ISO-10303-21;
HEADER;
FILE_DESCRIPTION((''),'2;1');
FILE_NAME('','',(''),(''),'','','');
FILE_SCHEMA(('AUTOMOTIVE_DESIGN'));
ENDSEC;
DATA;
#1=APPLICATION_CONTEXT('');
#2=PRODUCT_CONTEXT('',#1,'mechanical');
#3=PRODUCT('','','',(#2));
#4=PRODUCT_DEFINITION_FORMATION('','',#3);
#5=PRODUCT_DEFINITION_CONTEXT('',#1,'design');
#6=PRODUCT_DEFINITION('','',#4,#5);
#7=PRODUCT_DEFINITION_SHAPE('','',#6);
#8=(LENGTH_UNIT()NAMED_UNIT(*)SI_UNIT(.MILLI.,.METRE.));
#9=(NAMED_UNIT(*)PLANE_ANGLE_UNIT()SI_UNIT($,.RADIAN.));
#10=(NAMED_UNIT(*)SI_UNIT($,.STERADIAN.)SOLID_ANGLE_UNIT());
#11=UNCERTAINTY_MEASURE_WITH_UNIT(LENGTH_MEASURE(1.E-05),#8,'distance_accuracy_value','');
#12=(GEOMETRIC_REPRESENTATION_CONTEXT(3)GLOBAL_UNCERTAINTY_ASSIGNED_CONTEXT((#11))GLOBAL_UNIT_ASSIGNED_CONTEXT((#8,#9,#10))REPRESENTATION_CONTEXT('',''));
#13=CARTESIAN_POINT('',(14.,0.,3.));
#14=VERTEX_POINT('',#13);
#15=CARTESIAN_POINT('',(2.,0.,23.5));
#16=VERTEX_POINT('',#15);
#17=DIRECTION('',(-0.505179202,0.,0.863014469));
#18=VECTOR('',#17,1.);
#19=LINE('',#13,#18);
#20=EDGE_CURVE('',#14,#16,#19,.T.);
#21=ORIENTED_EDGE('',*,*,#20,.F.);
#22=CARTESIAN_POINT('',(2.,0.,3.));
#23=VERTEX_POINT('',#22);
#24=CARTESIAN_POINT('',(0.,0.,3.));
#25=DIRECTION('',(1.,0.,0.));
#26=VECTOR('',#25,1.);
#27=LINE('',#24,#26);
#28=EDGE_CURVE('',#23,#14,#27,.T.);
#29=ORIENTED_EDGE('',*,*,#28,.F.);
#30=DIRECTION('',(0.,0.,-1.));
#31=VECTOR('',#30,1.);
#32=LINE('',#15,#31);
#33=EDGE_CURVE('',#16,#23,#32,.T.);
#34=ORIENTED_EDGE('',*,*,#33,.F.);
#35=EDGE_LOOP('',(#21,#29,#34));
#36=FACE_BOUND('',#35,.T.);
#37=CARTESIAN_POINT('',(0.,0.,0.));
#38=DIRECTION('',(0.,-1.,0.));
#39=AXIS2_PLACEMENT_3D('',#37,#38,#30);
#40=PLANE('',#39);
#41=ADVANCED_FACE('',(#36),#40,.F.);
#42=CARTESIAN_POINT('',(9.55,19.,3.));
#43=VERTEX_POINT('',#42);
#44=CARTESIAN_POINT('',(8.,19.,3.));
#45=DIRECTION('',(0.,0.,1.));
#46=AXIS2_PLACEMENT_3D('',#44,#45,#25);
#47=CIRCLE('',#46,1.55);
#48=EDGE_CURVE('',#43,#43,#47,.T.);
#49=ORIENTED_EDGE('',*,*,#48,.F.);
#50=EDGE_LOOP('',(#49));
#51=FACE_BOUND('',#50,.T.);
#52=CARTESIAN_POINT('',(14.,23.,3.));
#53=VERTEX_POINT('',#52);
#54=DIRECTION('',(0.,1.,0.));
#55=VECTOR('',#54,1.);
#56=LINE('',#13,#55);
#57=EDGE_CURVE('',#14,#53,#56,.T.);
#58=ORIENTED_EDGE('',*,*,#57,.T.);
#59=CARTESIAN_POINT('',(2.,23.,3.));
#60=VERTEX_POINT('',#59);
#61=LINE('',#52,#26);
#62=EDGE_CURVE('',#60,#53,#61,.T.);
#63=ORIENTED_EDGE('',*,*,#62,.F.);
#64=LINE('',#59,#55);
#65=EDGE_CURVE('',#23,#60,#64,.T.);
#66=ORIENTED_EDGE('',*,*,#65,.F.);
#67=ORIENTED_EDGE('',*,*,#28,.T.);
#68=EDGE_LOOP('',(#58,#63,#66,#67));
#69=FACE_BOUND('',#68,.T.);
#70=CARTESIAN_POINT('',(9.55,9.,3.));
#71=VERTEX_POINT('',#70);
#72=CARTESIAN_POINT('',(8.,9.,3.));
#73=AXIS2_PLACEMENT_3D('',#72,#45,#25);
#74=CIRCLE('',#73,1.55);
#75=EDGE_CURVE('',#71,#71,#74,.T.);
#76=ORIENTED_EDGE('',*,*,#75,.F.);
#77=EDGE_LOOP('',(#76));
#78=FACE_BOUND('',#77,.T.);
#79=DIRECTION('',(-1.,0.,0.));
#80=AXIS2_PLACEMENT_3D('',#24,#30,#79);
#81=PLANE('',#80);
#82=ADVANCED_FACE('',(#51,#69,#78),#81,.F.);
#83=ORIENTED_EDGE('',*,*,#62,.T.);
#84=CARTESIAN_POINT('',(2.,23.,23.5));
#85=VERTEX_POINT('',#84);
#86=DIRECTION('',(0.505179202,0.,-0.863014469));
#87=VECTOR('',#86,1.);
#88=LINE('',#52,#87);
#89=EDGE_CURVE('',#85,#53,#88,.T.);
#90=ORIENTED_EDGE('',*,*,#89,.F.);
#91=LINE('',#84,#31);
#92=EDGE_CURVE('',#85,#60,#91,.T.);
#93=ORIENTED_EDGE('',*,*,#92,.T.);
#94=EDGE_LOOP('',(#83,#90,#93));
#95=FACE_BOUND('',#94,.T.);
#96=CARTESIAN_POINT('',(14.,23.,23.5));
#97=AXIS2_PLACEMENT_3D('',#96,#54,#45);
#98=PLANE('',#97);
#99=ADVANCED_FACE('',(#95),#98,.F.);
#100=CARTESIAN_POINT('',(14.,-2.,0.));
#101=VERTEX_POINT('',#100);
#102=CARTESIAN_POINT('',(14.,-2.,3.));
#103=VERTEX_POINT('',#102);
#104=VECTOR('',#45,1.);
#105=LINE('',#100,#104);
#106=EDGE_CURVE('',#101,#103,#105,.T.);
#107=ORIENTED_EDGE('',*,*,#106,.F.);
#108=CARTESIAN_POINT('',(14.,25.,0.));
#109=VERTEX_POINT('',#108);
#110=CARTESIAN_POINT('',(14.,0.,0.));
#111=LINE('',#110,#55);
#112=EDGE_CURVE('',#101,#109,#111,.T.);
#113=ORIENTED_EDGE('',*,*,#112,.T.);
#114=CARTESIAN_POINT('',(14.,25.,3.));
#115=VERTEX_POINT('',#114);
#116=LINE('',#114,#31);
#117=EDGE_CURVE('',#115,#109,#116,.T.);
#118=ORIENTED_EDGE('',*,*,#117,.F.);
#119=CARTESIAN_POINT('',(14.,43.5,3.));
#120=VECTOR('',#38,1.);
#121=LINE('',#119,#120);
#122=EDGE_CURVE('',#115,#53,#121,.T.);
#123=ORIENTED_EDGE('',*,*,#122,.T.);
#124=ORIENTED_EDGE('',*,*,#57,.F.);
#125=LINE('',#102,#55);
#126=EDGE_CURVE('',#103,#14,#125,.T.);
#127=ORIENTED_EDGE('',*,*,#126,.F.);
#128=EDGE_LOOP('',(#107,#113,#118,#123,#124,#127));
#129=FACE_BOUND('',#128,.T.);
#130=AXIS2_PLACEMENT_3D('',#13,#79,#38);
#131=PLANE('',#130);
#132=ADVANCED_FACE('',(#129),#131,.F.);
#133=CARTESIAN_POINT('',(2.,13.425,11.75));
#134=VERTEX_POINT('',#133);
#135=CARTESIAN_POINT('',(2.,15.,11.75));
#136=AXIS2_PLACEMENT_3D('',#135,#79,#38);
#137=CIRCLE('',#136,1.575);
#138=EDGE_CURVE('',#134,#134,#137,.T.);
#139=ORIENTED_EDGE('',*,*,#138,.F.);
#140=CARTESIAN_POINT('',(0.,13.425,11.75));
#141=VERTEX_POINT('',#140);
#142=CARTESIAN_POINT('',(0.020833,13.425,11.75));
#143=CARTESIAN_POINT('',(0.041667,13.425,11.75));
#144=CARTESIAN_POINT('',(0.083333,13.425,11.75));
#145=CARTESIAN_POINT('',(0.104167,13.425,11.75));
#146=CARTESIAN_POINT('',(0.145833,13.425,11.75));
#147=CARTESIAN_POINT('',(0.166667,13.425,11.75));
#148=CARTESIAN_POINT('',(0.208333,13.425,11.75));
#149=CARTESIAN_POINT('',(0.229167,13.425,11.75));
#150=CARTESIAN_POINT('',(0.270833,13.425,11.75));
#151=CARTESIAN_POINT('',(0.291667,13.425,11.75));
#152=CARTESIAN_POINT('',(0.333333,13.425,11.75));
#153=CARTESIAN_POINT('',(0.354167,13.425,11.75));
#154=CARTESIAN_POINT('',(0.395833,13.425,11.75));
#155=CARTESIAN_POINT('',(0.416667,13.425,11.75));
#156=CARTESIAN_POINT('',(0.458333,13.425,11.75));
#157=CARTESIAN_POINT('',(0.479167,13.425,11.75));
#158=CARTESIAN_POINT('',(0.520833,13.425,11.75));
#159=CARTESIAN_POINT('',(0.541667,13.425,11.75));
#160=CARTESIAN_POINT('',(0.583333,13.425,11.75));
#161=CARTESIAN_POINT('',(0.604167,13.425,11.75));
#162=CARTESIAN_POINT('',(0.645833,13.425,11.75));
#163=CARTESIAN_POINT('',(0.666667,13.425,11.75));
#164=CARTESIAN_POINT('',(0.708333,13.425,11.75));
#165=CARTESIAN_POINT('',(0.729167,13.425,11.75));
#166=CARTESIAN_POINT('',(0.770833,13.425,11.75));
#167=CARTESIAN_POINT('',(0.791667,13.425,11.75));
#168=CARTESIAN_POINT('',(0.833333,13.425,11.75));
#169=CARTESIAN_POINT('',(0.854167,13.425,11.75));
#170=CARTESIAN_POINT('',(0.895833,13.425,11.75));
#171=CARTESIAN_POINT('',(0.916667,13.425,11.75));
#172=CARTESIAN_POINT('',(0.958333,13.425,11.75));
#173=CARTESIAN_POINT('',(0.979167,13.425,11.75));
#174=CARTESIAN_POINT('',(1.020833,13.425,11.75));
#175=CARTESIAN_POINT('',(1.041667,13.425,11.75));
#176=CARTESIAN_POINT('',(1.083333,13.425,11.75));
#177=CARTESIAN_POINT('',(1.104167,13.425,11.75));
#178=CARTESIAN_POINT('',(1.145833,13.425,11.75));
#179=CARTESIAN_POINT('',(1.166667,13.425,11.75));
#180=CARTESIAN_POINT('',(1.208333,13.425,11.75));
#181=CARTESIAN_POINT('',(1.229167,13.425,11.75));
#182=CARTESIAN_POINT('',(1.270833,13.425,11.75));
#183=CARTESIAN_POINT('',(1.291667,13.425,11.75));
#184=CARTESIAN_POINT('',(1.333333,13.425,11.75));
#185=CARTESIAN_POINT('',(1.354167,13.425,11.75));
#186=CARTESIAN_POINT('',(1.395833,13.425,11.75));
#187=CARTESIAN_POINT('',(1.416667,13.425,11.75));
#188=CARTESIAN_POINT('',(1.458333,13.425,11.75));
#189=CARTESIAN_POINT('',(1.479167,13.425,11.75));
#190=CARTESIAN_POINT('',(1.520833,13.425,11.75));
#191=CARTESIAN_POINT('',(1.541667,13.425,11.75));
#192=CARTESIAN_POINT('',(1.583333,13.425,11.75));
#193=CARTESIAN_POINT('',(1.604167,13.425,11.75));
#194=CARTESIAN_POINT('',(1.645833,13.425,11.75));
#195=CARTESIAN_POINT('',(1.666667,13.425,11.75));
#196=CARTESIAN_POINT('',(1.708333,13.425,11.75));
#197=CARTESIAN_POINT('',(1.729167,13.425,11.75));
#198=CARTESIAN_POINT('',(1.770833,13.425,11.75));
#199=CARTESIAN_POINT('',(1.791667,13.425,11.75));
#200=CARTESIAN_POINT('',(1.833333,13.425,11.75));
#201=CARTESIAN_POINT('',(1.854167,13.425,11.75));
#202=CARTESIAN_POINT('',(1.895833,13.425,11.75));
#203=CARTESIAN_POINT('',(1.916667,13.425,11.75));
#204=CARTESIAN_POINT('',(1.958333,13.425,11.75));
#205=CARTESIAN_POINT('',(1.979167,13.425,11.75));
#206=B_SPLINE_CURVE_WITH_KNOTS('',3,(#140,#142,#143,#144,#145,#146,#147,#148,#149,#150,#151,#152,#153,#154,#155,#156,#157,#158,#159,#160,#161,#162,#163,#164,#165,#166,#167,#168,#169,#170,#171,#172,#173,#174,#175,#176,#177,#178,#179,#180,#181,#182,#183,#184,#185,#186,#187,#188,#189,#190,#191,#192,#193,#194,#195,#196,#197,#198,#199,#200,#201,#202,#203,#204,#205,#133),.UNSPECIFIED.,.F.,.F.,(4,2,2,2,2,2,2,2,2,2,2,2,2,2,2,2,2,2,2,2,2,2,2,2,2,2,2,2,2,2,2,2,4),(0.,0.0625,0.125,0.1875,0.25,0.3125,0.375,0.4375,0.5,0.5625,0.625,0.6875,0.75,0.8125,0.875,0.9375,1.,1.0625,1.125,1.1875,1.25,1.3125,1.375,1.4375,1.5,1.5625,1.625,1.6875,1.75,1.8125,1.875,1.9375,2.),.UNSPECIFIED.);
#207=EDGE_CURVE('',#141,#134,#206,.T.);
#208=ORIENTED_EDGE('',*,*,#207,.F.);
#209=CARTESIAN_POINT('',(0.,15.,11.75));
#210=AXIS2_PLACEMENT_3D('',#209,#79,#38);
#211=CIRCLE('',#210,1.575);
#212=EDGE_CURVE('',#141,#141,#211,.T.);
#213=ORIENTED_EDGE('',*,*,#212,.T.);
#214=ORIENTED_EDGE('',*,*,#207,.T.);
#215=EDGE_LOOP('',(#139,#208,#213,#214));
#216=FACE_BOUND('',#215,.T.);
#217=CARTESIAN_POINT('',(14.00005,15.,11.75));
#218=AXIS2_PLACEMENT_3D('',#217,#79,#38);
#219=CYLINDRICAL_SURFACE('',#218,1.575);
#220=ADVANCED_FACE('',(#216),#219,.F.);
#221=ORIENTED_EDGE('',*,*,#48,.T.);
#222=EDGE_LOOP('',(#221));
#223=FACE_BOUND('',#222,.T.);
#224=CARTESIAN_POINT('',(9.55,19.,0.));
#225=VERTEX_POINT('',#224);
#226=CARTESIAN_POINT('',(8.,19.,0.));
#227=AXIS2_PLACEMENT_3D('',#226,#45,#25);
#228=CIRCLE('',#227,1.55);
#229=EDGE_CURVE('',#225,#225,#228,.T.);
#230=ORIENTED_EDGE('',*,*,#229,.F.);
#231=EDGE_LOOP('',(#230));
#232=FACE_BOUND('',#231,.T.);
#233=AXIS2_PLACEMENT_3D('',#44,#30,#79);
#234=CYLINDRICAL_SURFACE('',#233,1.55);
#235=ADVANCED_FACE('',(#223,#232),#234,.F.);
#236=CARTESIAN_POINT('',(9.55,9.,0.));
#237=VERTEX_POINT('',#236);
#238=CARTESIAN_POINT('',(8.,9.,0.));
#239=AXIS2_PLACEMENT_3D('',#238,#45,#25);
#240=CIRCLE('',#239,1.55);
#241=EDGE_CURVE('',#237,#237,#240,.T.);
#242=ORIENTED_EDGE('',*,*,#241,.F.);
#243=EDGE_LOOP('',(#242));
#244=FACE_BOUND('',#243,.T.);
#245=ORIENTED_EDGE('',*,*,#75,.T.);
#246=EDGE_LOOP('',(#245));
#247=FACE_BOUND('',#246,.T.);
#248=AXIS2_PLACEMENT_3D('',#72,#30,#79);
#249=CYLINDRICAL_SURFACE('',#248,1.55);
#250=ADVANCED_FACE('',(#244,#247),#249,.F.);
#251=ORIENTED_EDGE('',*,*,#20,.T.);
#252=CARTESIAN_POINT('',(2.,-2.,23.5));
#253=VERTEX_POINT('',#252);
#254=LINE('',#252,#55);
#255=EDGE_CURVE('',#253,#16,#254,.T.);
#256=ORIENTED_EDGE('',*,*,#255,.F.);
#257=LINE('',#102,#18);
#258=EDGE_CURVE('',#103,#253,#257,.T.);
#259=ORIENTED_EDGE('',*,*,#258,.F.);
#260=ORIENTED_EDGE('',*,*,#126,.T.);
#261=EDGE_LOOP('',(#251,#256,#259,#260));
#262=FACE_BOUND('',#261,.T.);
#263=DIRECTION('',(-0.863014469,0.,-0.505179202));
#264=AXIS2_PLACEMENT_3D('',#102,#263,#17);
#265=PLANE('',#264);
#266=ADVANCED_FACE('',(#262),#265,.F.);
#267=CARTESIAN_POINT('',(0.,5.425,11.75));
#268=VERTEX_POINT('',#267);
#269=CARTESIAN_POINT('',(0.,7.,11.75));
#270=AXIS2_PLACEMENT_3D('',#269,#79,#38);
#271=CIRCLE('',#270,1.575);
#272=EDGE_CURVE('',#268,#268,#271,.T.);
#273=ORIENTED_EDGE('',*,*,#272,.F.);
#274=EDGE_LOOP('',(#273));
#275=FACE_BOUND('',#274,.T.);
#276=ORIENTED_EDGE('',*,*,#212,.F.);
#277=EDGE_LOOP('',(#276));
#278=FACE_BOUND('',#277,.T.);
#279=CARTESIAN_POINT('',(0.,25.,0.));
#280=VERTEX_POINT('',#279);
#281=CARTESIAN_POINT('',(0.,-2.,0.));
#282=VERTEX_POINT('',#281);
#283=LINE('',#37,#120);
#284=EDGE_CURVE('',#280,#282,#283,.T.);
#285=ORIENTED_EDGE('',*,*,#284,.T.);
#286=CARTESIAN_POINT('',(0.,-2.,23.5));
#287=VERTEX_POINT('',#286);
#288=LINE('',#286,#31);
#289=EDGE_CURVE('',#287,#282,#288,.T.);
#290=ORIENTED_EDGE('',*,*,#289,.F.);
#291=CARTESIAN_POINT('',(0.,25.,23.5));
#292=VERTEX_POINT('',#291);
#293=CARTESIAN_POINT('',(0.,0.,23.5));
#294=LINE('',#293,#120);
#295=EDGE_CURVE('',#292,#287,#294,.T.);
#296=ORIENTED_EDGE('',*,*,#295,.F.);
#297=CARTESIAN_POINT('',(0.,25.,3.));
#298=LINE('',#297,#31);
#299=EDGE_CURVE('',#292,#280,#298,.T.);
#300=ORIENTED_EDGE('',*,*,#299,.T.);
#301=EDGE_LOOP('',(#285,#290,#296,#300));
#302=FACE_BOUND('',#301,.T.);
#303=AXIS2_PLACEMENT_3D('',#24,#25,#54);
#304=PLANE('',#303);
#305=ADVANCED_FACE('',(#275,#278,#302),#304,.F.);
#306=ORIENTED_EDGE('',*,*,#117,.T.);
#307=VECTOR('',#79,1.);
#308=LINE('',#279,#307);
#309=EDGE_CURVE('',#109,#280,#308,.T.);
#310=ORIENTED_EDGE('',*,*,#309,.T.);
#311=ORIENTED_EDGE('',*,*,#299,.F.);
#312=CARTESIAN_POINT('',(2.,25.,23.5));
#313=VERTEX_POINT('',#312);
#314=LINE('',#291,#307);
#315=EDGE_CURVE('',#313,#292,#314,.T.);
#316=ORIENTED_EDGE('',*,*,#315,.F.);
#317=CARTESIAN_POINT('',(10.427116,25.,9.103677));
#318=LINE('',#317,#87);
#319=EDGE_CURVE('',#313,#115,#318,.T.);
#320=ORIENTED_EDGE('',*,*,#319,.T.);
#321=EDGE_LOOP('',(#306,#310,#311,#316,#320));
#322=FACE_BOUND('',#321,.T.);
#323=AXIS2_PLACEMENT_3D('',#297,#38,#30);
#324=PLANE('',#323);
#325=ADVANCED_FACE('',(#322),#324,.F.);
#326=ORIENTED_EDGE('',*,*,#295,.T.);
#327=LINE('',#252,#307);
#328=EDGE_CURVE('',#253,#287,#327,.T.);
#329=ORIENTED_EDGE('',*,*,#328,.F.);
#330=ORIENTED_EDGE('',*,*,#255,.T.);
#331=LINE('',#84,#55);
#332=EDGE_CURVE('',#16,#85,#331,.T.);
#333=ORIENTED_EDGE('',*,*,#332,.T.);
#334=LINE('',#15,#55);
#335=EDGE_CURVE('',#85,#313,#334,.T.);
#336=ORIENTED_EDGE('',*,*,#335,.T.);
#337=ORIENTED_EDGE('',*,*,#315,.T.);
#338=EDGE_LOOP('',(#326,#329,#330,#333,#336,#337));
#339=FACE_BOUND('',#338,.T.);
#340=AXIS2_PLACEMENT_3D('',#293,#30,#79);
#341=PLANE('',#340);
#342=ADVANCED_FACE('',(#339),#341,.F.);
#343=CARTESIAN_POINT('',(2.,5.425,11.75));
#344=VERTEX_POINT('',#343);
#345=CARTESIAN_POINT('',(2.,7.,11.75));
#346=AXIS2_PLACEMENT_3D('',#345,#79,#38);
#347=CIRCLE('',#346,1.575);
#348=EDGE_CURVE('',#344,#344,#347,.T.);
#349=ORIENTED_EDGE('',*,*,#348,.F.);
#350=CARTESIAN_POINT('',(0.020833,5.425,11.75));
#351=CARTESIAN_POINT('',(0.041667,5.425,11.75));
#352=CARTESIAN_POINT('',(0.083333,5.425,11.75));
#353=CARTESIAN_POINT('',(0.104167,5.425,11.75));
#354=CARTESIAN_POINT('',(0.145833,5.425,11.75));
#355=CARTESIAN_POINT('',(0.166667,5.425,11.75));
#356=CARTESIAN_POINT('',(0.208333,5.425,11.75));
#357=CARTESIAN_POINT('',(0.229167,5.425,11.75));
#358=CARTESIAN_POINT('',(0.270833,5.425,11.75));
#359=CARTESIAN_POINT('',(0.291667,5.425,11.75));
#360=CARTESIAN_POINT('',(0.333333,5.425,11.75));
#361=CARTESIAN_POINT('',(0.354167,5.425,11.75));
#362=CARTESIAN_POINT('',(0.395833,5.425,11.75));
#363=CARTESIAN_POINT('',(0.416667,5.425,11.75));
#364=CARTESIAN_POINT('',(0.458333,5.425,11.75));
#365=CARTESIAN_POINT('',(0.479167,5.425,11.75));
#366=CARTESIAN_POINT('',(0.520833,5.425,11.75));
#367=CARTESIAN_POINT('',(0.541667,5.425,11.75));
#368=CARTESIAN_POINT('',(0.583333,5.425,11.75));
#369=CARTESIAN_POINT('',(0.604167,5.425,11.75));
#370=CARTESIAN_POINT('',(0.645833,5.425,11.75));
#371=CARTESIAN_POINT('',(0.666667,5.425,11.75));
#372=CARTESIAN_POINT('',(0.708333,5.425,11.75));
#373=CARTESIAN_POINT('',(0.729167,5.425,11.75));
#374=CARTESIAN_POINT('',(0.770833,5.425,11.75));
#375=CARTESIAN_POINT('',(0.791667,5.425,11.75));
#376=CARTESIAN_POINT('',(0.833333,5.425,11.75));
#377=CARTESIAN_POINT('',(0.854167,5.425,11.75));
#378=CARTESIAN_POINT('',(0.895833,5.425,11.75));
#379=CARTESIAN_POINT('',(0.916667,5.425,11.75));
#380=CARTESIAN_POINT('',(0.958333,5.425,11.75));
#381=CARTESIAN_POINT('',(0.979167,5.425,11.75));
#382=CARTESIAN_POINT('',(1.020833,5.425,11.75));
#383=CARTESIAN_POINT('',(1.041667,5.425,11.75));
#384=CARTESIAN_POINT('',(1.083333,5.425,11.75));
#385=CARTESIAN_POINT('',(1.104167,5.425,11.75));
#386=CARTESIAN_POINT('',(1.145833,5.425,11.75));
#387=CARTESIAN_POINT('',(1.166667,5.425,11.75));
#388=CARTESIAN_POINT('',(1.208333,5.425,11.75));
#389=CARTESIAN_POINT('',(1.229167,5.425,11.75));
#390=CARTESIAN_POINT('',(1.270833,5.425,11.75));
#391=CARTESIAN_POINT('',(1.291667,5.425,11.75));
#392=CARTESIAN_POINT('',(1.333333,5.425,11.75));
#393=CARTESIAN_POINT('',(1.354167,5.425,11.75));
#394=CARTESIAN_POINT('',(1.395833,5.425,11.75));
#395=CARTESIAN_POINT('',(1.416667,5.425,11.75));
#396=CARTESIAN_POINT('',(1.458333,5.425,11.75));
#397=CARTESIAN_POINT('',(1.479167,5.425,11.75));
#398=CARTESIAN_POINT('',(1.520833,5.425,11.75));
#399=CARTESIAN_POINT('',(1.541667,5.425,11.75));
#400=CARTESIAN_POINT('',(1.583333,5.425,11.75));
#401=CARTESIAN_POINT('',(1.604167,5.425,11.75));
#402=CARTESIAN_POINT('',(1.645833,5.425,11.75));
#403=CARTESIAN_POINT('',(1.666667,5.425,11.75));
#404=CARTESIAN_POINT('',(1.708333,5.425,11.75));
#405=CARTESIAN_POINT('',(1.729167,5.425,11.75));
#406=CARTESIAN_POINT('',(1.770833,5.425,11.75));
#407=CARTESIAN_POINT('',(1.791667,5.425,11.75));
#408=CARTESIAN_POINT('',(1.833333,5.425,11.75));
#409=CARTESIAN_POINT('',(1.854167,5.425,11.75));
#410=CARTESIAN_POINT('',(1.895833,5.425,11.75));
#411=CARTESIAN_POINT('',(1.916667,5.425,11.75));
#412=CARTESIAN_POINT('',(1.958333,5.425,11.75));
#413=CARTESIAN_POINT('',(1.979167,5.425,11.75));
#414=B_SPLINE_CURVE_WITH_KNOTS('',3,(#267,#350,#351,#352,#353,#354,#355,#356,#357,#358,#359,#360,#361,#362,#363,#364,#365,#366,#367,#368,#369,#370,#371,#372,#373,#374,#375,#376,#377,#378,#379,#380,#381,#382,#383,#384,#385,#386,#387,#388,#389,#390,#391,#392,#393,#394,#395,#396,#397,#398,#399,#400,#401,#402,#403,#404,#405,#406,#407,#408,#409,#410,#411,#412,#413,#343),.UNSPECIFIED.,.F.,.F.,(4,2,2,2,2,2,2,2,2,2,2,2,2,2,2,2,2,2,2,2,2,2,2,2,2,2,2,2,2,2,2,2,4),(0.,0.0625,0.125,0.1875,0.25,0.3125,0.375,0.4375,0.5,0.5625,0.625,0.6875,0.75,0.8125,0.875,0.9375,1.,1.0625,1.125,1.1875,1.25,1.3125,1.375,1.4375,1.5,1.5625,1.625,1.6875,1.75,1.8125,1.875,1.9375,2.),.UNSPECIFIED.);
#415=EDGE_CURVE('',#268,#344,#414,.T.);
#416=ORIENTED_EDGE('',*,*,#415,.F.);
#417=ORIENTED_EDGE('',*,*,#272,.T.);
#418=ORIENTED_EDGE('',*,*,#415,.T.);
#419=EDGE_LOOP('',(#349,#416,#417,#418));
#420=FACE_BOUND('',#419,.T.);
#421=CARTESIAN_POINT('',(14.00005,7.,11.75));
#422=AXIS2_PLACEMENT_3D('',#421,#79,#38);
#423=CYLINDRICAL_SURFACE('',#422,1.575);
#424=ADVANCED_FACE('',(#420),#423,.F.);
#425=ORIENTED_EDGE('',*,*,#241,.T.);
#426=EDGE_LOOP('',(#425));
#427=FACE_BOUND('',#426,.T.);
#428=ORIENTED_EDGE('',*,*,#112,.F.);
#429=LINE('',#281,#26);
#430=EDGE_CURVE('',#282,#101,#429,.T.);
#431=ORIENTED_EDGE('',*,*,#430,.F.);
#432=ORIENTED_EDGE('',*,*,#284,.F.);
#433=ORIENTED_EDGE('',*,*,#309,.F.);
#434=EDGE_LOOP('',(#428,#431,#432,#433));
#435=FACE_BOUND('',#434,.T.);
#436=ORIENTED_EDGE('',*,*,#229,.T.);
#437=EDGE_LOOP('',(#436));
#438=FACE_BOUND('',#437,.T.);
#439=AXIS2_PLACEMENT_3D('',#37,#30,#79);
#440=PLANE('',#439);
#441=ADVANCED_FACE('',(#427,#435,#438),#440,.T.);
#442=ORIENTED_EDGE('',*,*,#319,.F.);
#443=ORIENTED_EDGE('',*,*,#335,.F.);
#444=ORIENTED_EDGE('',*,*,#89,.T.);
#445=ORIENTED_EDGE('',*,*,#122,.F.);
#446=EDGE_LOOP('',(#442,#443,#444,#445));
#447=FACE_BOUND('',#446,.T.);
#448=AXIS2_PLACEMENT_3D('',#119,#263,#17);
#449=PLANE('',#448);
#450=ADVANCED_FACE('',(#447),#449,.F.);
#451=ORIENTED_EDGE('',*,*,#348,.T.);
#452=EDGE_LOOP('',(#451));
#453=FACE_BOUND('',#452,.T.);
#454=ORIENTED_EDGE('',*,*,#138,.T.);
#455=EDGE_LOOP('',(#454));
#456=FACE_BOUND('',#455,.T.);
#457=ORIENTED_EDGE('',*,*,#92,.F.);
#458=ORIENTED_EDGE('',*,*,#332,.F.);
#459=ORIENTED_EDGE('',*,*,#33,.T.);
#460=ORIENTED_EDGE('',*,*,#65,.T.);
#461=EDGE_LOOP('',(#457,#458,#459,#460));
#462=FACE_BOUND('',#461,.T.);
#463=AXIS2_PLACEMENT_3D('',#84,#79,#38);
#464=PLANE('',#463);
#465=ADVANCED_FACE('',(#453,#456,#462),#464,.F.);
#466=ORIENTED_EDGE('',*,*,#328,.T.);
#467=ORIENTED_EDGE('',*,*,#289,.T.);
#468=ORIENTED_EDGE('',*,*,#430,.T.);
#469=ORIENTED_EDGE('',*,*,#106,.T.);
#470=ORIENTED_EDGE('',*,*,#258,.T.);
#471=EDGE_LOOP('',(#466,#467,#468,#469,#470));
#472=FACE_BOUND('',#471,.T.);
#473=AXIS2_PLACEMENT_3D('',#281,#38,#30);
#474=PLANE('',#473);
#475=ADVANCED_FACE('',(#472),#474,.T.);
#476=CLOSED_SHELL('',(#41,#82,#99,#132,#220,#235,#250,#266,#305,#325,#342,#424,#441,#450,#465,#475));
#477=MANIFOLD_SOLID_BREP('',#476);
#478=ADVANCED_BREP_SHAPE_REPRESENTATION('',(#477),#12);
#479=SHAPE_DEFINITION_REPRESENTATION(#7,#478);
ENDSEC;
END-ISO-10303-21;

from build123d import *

# Parameters (mm, degrees)
SKETCH1_W           = 14
SKETCH1_H           = 25
SKETCH1_R           = 1.55
BOSS_EXTRUDE1_DEPTH = 3
BOSS_EXTRUDE2_DEPTH = 20.5
SKETCH4_R           = 1.575
CUT_EXTRUDE1_DEPTH  = 38.057387927
CUT_EXTRUDE2_DEPTH  = 20.5
BOSS_EXTRUDE3_DEPTH = 2


with BuildPart() as part:
    # Sketch1 → Boss-Extrude1 (new body)
    with BuildSketch(Plane.XY):
        with Locations((7, 12.5)):
            Rectangle(SKETCH1_W, SKETCH1_H)
        with Locations((8, 19)):
            Circle(SKETCH1_R, mode=Mode.SUBTRACT)
        with Locations((8, 9)):
            Circle(SKETCH1_R, mode=Mode.SUBTRACT)
    extrude(amount=BOSS_EXTRUDE1_DEPTH)

    # Sketch3 → Boss-Extrude2 (add)
    with BuildSketch(Plane.XY.offset(3)):
        Polygon((0, 0), (0, 25), (14, 25), (14, 23), (2, 23), (2, 0), align=None)
    extrude(amount=BOSS_EXTRUDE2_DEPTH)

    # Sketch4 → Cut-Extrude1 (cut, through all)
    with BuildSketch(Plane.ZY):
        with Locations(Location((11.75, 15, 0), (0, 0, 270))):
            Circle(SKETCH4_R)
        with Locations(Location((11.75, 7, 0), (0, 0, 270))):
            Circle(SKETCH4_R)
    extrude(amount=-CUT_EXTRUDE1_DEPTH, mode=Mode.SUBTRACT)

    # Sketch5 → Cut-Extrude2 (cut)
    with BuildSketch(Plane(origin=(0, 23, 0), x_dir=(-1, 0, 0), z_dir=(0, -1, 0))):
        Polygon((-14, -3), (-2, -23.5), (-14, -23.5), align=None)
    extrude(amount=-CUT_EXTRUDE2_DEPTH, mode=Mode.SUBTRACT)

    # Sketch6 → Boss-Extrude3 (add)
    with BuildSketch(Plane(origin=(0, 0, 0), x_dir=(-1, 0, 0), z_dir=(0, -1, 0))):
        Polygon((-14, 0), (-14, -3), (-2, -23.5), (0, -23.5), (0, 0), align=None)
    extrude(amount=BOSS_EXTRUDE3_DEPTH)


solid = part.part
